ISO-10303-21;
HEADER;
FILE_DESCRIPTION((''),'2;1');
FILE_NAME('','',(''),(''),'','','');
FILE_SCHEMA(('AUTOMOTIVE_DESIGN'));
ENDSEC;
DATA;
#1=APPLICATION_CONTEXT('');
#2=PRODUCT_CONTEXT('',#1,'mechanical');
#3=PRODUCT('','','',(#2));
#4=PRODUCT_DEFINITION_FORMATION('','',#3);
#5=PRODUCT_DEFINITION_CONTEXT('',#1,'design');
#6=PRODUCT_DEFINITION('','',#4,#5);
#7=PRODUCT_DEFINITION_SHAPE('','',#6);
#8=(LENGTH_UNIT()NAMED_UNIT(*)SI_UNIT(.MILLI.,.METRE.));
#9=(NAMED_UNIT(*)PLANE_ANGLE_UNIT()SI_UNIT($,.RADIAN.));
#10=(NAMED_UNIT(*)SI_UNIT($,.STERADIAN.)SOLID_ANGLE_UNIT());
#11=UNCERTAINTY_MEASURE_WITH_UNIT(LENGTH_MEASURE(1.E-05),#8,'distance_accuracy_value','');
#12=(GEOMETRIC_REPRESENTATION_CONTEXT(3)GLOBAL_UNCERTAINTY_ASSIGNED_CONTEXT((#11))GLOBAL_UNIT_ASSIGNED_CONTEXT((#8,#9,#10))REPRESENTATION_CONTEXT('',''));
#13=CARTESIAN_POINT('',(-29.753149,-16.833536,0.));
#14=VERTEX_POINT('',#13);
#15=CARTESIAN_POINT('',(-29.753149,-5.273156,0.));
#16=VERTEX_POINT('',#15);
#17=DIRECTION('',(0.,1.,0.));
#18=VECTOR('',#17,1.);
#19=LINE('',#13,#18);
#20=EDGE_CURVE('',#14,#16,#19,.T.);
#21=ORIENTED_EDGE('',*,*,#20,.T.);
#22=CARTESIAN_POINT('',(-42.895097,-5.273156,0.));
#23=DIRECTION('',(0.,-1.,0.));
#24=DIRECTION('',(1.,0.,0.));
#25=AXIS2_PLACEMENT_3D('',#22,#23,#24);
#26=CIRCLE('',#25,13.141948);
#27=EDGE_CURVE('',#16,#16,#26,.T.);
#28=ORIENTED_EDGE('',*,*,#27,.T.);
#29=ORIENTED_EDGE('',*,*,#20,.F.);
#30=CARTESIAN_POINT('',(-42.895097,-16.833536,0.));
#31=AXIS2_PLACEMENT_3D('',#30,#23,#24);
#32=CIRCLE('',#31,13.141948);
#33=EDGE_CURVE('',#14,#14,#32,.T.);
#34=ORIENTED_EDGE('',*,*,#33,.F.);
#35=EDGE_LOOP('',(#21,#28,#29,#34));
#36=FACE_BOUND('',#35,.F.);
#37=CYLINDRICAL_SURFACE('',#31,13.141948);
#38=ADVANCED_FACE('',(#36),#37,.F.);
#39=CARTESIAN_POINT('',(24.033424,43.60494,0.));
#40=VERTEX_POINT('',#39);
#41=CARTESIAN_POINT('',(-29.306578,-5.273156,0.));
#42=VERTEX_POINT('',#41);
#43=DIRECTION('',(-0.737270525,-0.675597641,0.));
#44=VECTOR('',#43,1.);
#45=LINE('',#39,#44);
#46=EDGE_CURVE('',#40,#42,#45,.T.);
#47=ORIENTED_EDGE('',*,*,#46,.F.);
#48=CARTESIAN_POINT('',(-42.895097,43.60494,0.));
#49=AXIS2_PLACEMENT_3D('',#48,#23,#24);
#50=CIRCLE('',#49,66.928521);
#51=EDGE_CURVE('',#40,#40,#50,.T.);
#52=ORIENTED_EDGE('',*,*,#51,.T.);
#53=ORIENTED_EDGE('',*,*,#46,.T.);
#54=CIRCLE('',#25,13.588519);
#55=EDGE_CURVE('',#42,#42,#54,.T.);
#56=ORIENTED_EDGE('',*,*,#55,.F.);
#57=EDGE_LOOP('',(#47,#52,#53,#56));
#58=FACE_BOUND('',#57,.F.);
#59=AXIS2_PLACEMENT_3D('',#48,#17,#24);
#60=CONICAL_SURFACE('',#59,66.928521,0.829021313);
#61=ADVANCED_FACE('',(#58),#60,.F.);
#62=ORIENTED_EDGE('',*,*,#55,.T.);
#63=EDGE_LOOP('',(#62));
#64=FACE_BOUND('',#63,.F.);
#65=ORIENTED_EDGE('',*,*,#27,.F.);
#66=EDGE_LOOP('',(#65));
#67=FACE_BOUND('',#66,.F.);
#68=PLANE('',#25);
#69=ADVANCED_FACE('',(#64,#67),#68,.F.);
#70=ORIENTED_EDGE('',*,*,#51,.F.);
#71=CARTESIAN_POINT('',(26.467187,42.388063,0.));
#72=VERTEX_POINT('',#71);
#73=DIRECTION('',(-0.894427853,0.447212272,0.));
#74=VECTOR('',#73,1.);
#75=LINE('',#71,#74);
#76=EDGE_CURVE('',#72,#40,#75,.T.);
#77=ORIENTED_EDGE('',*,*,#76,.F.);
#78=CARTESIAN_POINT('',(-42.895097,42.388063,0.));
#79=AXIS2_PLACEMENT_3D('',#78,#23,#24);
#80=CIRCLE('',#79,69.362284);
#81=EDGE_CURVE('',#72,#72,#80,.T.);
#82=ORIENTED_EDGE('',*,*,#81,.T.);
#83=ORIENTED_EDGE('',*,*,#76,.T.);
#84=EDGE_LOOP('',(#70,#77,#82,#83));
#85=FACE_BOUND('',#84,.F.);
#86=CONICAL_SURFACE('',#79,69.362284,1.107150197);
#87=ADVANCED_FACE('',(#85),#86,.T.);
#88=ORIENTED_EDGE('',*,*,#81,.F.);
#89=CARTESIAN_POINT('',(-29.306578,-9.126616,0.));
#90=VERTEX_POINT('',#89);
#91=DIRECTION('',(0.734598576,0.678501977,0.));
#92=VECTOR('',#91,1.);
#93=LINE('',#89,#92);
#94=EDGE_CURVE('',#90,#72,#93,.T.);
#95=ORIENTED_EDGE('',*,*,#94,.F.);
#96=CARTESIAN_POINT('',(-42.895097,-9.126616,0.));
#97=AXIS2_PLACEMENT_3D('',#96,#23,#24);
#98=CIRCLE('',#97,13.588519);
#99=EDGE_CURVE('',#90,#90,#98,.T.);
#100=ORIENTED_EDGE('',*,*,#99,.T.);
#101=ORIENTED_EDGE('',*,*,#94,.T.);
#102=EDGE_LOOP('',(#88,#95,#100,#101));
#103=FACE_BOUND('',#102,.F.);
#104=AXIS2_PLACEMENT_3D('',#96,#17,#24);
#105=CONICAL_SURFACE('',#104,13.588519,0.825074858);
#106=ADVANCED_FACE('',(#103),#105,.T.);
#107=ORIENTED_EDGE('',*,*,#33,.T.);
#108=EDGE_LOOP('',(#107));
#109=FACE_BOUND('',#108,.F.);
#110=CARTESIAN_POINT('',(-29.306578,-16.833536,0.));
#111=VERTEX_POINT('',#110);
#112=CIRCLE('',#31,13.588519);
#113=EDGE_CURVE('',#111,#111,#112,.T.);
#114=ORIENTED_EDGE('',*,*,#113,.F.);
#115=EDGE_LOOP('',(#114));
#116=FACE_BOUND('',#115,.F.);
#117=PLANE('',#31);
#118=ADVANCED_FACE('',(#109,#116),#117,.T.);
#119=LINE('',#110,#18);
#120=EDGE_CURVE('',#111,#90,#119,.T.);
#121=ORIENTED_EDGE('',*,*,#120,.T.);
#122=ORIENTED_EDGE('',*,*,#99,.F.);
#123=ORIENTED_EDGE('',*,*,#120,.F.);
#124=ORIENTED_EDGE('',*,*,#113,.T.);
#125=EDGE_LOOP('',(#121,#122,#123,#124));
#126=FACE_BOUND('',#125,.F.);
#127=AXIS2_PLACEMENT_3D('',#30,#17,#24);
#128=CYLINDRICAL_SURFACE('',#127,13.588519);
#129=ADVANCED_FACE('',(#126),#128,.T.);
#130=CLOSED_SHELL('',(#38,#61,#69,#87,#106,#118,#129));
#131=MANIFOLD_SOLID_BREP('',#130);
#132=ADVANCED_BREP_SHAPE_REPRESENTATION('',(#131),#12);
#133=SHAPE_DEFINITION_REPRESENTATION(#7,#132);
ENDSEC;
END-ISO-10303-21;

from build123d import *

# Parameters (mm, degrees)
F2_R     = 13.141948
F3_DEPTH = 25.4


with BuildPart() as f1:
    # F0 (on Top) → F1 (revolve)
    with BuildSketch(Plane.XY):
        Polygon((26.467187, 42.388063), (24.033424, 43.60494), (-29.306578, -5.273156), (-42.895097, -5.273156), (-42.895097, -16.833536), (-29.306578, -16.833536), (-29.306578, -9.126616), align=None)
    revolve(axis=Axis((-42.895097, -11.053346, 0), (0, -1, 0)))

    # F2 (on face) → F3 (cut)
    with BuildSketch(Plane.XZ.offset(16.833536)):
        with Locations((-42.895097, 0)):
            Circle(F2_R)
    extrude(amount=-F3_DEPTH, mode=Mode.SUBTRACT)


solid = f1.part
